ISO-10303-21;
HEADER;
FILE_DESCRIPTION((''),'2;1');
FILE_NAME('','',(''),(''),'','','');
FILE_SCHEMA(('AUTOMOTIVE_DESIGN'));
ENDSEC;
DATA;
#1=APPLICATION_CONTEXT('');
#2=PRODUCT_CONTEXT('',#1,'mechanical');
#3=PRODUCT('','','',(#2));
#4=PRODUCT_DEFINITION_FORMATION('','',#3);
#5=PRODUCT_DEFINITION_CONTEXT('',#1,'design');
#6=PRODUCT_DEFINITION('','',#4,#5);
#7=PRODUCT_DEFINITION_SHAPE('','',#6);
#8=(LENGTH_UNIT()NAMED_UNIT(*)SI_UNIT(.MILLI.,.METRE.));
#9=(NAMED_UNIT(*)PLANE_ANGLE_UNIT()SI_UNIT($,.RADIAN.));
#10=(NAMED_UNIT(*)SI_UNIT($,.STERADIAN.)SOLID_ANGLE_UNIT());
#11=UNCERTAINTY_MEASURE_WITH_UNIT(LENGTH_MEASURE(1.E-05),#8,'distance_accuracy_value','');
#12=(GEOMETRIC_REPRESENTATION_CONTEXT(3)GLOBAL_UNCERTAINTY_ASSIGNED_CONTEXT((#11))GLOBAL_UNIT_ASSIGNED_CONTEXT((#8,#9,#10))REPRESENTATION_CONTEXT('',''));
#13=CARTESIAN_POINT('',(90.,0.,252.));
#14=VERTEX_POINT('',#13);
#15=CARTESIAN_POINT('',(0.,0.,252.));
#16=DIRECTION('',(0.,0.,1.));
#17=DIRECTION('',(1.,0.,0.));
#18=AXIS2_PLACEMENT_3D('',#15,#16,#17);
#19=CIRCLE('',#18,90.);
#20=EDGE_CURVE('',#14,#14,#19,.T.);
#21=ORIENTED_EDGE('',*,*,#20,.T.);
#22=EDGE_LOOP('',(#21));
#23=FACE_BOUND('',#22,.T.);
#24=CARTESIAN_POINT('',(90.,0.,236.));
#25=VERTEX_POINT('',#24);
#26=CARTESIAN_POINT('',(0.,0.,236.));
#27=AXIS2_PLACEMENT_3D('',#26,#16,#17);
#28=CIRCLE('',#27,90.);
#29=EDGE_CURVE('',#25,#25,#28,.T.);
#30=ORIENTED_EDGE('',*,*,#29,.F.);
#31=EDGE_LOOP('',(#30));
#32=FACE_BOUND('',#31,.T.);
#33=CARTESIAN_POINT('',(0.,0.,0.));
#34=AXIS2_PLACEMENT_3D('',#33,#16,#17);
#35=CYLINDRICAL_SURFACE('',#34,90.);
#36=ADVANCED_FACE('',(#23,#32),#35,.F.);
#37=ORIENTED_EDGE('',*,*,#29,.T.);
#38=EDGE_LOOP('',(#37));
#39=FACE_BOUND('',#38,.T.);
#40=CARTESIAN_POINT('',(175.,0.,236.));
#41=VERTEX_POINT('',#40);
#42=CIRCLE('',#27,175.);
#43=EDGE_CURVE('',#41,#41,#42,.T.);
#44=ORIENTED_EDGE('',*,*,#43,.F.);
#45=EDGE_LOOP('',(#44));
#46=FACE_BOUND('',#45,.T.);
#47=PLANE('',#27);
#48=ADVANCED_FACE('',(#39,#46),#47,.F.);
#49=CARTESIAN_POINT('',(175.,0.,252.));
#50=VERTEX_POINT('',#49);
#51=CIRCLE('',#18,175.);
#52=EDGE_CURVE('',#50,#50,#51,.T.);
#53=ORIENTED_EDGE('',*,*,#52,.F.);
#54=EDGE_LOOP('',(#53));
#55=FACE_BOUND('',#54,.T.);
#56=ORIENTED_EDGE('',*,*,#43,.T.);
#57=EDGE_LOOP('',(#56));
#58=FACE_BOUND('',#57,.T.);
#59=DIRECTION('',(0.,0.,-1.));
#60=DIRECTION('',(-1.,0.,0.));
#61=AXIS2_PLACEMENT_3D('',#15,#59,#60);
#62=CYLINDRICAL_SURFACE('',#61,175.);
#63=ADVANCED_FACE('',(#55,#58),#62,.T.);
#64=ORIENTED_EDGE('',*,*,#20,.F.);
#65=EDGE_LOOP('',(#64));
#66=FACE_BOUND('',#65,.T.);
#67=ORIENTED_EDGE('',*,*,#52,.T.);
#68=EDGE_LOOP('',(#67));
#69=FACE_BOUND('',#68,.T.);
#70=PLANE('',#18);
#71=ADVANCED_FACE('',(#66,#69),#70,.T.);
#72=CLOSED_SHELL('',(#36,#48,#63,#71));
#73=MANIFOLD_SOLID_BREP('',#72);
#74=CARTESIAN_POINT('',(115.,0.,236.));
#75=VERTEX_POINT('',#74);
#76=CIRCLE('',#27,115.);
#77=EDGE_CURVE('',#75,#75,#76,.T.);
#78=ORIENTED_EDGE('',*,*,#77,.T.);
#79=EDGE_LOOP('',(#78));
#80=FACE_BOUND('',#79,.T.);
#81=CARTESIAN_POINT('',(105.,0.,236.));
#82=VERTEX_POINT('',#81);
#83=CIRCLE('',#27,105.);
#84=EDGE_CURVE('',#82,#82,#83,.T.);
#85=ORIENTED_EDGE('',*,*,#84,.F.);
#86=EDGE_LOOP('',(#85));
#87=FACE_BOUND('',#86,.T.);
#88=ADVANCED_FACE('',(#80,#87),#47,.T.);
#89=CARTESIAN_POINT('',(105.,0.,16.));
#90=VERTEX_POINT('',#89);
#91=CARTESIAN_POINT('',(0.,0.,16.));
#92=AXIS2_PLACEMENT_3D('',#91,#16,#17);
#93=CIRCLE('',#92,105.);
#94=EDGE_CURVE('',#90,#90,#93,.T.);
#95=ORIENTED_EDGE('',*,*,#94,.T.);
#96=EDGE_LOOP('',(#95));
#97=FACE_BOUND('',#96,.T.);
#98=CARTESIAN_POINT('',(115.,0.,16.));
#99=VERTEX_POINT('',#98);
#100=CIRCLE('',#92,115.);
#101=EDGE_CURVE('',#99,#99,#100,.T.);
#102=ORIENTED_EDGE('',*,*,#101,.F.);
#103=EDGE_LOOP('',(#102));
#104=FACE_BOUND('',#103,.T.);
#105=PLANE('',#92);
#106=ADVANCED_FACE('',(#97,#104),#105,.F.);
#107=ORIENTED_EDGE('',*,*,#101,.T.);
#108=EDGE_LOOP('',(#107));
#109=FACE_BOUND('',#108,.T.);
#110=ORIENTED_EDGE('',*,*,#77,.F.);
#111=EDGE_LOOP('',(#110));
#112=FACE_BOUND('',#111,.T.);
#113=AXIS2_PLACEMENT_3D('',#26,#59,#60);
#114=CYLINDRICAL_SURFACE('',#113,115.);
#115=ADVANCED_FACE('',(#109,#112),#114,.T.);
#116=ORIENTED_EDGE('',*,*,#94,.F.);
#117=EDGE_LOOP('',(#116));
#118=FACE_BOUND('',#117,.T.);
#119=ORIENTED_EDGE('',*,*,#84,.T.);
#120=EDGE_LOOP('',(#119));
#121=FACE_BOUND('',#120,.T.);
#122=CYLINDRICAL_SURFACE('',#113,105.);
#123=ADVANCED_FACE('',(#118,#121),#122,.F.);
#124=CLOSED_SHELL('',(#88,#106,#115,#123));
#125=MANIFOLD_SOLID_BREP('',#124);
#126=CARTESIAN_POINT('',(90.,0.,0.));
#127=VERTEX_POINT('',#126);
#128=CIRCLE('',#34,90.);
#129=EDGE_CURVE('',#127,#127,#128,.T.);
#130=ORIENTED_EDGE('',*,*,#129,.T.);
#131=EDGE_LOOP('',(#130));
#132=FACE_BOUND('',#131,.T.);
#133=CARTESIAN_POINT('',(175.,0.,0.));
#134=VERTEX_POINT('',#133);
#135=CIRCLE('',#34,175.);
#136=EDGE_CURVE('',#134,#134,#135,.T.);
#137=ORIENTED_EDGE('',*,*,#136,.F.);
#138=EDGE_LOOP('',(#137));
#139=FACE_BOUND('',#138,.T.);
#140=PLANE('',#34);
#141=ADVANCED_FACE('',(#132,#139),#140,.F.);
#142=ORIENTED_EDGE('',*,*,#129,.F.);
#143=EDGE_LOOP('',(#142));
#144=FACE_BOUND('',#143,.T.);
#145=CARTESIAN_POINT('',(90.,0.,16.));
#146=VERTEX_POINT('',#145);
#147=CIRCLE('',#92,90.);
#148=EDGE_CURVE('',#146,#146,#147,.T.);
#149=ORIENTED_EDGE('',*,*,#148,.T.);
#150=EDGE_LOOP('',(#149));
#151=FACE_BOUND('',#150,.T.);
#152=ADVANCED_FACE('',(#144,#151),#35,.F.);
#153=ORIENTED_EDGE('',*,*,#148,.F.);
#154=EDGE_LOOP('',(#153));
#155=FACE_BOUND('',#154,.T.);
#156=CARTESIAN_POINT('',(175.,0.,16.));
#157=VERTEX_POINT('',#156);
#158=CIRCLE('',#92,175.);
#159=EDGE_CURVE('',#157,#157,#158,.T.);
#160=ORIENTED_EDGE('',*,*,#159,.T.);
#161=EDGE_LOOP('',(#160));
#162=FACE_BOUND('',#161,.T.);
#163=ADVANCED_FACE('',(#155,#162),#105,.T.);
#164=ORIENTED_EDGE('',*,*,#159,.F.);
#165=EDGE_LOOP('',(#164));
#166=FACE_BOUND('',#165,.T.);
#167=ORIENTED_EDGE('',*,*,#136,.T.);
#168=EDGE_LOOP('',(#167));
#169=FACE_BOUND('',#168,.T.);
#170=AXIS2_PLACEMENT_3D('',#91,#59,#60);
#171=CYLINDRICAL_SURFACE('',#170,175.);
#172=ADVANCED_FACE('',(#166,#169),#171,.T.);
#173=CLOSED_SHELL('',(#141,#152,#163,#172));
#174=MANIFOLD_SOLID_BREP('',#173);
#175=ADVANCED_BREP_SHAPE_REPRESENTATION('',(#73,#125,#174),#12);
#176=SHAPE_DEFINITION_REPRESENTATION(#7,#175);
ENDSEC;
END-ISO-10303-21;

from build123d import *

# Parameters (mm, degrees)
SKETCH_1_R          = 175
EXTRUDE_1_DEPTH     = 16
SKETCH_2_R          = 115
SKETCH_2_R_2        = 105
EXTRUDE_2_DEPTH     = 220
SKETCH_3_R          = 175
EXTRUDE_3_DEPTH     = 16
SKETCH_4_R          = 90
CUT_EXTRUDE_1_DEPTH = 354.205322723


with BuildPart() as part:
    # 草图1 → 凸台-拉伸1 (new body)
    with BuildSketch(Plane.XY):
        Circle(SKETCH_1_R)
    extrude(amount=EXTRUDE_1_DEPTH)


with BuildPart() as body_2:
    # 草图2 → 凸台-拉伸2 (new body)
    with BuildSketch(Plane.XY.offset(16)):
        Circle(SKETCH_2_R)
        Circle(SKETCH_2_R_2, mode=Mode.SUBTRACT)
    extrude(amount=EXTRUDE_2_DEPTH)


with BuildPart() as body_3:
    # 草图3 → 凸台-拉伸3 (new body)
    with BuildSketch(Plane.XY.offset(236)):
        Circle(SKETCH_3_R)
    extrude(amount=EXTRUDE_3_DEPTH)


with BuildPart() as cut_extrude_1_tool:
    # 草图4 → 切除-拉伸1 (new, through all)
    with BuildSketch(Plane.XY.offset(252)):
        Circle(SKETCH_4_R)
    extrude(amount=-CUT_EXTRUDE_1_DEPTH)


with BuildPart() as part_1:
    add(part.part)

    # 切除-拉伸1: cut by cut_extrude_1_tool
    add(cut_extrude_1_tool.part, mode=Mode.SUBTRACT)


with BuildPart() as body_3_1:
    add(body_3.part)

    # 切除-拉伸1: cut by cut_extrude_1_tool
    add(cut_extrude_1_tool.part, mode=Mode.SUBTRACT)


solid = Compound([body_2.part, part_1.part, body_3_1.part])
